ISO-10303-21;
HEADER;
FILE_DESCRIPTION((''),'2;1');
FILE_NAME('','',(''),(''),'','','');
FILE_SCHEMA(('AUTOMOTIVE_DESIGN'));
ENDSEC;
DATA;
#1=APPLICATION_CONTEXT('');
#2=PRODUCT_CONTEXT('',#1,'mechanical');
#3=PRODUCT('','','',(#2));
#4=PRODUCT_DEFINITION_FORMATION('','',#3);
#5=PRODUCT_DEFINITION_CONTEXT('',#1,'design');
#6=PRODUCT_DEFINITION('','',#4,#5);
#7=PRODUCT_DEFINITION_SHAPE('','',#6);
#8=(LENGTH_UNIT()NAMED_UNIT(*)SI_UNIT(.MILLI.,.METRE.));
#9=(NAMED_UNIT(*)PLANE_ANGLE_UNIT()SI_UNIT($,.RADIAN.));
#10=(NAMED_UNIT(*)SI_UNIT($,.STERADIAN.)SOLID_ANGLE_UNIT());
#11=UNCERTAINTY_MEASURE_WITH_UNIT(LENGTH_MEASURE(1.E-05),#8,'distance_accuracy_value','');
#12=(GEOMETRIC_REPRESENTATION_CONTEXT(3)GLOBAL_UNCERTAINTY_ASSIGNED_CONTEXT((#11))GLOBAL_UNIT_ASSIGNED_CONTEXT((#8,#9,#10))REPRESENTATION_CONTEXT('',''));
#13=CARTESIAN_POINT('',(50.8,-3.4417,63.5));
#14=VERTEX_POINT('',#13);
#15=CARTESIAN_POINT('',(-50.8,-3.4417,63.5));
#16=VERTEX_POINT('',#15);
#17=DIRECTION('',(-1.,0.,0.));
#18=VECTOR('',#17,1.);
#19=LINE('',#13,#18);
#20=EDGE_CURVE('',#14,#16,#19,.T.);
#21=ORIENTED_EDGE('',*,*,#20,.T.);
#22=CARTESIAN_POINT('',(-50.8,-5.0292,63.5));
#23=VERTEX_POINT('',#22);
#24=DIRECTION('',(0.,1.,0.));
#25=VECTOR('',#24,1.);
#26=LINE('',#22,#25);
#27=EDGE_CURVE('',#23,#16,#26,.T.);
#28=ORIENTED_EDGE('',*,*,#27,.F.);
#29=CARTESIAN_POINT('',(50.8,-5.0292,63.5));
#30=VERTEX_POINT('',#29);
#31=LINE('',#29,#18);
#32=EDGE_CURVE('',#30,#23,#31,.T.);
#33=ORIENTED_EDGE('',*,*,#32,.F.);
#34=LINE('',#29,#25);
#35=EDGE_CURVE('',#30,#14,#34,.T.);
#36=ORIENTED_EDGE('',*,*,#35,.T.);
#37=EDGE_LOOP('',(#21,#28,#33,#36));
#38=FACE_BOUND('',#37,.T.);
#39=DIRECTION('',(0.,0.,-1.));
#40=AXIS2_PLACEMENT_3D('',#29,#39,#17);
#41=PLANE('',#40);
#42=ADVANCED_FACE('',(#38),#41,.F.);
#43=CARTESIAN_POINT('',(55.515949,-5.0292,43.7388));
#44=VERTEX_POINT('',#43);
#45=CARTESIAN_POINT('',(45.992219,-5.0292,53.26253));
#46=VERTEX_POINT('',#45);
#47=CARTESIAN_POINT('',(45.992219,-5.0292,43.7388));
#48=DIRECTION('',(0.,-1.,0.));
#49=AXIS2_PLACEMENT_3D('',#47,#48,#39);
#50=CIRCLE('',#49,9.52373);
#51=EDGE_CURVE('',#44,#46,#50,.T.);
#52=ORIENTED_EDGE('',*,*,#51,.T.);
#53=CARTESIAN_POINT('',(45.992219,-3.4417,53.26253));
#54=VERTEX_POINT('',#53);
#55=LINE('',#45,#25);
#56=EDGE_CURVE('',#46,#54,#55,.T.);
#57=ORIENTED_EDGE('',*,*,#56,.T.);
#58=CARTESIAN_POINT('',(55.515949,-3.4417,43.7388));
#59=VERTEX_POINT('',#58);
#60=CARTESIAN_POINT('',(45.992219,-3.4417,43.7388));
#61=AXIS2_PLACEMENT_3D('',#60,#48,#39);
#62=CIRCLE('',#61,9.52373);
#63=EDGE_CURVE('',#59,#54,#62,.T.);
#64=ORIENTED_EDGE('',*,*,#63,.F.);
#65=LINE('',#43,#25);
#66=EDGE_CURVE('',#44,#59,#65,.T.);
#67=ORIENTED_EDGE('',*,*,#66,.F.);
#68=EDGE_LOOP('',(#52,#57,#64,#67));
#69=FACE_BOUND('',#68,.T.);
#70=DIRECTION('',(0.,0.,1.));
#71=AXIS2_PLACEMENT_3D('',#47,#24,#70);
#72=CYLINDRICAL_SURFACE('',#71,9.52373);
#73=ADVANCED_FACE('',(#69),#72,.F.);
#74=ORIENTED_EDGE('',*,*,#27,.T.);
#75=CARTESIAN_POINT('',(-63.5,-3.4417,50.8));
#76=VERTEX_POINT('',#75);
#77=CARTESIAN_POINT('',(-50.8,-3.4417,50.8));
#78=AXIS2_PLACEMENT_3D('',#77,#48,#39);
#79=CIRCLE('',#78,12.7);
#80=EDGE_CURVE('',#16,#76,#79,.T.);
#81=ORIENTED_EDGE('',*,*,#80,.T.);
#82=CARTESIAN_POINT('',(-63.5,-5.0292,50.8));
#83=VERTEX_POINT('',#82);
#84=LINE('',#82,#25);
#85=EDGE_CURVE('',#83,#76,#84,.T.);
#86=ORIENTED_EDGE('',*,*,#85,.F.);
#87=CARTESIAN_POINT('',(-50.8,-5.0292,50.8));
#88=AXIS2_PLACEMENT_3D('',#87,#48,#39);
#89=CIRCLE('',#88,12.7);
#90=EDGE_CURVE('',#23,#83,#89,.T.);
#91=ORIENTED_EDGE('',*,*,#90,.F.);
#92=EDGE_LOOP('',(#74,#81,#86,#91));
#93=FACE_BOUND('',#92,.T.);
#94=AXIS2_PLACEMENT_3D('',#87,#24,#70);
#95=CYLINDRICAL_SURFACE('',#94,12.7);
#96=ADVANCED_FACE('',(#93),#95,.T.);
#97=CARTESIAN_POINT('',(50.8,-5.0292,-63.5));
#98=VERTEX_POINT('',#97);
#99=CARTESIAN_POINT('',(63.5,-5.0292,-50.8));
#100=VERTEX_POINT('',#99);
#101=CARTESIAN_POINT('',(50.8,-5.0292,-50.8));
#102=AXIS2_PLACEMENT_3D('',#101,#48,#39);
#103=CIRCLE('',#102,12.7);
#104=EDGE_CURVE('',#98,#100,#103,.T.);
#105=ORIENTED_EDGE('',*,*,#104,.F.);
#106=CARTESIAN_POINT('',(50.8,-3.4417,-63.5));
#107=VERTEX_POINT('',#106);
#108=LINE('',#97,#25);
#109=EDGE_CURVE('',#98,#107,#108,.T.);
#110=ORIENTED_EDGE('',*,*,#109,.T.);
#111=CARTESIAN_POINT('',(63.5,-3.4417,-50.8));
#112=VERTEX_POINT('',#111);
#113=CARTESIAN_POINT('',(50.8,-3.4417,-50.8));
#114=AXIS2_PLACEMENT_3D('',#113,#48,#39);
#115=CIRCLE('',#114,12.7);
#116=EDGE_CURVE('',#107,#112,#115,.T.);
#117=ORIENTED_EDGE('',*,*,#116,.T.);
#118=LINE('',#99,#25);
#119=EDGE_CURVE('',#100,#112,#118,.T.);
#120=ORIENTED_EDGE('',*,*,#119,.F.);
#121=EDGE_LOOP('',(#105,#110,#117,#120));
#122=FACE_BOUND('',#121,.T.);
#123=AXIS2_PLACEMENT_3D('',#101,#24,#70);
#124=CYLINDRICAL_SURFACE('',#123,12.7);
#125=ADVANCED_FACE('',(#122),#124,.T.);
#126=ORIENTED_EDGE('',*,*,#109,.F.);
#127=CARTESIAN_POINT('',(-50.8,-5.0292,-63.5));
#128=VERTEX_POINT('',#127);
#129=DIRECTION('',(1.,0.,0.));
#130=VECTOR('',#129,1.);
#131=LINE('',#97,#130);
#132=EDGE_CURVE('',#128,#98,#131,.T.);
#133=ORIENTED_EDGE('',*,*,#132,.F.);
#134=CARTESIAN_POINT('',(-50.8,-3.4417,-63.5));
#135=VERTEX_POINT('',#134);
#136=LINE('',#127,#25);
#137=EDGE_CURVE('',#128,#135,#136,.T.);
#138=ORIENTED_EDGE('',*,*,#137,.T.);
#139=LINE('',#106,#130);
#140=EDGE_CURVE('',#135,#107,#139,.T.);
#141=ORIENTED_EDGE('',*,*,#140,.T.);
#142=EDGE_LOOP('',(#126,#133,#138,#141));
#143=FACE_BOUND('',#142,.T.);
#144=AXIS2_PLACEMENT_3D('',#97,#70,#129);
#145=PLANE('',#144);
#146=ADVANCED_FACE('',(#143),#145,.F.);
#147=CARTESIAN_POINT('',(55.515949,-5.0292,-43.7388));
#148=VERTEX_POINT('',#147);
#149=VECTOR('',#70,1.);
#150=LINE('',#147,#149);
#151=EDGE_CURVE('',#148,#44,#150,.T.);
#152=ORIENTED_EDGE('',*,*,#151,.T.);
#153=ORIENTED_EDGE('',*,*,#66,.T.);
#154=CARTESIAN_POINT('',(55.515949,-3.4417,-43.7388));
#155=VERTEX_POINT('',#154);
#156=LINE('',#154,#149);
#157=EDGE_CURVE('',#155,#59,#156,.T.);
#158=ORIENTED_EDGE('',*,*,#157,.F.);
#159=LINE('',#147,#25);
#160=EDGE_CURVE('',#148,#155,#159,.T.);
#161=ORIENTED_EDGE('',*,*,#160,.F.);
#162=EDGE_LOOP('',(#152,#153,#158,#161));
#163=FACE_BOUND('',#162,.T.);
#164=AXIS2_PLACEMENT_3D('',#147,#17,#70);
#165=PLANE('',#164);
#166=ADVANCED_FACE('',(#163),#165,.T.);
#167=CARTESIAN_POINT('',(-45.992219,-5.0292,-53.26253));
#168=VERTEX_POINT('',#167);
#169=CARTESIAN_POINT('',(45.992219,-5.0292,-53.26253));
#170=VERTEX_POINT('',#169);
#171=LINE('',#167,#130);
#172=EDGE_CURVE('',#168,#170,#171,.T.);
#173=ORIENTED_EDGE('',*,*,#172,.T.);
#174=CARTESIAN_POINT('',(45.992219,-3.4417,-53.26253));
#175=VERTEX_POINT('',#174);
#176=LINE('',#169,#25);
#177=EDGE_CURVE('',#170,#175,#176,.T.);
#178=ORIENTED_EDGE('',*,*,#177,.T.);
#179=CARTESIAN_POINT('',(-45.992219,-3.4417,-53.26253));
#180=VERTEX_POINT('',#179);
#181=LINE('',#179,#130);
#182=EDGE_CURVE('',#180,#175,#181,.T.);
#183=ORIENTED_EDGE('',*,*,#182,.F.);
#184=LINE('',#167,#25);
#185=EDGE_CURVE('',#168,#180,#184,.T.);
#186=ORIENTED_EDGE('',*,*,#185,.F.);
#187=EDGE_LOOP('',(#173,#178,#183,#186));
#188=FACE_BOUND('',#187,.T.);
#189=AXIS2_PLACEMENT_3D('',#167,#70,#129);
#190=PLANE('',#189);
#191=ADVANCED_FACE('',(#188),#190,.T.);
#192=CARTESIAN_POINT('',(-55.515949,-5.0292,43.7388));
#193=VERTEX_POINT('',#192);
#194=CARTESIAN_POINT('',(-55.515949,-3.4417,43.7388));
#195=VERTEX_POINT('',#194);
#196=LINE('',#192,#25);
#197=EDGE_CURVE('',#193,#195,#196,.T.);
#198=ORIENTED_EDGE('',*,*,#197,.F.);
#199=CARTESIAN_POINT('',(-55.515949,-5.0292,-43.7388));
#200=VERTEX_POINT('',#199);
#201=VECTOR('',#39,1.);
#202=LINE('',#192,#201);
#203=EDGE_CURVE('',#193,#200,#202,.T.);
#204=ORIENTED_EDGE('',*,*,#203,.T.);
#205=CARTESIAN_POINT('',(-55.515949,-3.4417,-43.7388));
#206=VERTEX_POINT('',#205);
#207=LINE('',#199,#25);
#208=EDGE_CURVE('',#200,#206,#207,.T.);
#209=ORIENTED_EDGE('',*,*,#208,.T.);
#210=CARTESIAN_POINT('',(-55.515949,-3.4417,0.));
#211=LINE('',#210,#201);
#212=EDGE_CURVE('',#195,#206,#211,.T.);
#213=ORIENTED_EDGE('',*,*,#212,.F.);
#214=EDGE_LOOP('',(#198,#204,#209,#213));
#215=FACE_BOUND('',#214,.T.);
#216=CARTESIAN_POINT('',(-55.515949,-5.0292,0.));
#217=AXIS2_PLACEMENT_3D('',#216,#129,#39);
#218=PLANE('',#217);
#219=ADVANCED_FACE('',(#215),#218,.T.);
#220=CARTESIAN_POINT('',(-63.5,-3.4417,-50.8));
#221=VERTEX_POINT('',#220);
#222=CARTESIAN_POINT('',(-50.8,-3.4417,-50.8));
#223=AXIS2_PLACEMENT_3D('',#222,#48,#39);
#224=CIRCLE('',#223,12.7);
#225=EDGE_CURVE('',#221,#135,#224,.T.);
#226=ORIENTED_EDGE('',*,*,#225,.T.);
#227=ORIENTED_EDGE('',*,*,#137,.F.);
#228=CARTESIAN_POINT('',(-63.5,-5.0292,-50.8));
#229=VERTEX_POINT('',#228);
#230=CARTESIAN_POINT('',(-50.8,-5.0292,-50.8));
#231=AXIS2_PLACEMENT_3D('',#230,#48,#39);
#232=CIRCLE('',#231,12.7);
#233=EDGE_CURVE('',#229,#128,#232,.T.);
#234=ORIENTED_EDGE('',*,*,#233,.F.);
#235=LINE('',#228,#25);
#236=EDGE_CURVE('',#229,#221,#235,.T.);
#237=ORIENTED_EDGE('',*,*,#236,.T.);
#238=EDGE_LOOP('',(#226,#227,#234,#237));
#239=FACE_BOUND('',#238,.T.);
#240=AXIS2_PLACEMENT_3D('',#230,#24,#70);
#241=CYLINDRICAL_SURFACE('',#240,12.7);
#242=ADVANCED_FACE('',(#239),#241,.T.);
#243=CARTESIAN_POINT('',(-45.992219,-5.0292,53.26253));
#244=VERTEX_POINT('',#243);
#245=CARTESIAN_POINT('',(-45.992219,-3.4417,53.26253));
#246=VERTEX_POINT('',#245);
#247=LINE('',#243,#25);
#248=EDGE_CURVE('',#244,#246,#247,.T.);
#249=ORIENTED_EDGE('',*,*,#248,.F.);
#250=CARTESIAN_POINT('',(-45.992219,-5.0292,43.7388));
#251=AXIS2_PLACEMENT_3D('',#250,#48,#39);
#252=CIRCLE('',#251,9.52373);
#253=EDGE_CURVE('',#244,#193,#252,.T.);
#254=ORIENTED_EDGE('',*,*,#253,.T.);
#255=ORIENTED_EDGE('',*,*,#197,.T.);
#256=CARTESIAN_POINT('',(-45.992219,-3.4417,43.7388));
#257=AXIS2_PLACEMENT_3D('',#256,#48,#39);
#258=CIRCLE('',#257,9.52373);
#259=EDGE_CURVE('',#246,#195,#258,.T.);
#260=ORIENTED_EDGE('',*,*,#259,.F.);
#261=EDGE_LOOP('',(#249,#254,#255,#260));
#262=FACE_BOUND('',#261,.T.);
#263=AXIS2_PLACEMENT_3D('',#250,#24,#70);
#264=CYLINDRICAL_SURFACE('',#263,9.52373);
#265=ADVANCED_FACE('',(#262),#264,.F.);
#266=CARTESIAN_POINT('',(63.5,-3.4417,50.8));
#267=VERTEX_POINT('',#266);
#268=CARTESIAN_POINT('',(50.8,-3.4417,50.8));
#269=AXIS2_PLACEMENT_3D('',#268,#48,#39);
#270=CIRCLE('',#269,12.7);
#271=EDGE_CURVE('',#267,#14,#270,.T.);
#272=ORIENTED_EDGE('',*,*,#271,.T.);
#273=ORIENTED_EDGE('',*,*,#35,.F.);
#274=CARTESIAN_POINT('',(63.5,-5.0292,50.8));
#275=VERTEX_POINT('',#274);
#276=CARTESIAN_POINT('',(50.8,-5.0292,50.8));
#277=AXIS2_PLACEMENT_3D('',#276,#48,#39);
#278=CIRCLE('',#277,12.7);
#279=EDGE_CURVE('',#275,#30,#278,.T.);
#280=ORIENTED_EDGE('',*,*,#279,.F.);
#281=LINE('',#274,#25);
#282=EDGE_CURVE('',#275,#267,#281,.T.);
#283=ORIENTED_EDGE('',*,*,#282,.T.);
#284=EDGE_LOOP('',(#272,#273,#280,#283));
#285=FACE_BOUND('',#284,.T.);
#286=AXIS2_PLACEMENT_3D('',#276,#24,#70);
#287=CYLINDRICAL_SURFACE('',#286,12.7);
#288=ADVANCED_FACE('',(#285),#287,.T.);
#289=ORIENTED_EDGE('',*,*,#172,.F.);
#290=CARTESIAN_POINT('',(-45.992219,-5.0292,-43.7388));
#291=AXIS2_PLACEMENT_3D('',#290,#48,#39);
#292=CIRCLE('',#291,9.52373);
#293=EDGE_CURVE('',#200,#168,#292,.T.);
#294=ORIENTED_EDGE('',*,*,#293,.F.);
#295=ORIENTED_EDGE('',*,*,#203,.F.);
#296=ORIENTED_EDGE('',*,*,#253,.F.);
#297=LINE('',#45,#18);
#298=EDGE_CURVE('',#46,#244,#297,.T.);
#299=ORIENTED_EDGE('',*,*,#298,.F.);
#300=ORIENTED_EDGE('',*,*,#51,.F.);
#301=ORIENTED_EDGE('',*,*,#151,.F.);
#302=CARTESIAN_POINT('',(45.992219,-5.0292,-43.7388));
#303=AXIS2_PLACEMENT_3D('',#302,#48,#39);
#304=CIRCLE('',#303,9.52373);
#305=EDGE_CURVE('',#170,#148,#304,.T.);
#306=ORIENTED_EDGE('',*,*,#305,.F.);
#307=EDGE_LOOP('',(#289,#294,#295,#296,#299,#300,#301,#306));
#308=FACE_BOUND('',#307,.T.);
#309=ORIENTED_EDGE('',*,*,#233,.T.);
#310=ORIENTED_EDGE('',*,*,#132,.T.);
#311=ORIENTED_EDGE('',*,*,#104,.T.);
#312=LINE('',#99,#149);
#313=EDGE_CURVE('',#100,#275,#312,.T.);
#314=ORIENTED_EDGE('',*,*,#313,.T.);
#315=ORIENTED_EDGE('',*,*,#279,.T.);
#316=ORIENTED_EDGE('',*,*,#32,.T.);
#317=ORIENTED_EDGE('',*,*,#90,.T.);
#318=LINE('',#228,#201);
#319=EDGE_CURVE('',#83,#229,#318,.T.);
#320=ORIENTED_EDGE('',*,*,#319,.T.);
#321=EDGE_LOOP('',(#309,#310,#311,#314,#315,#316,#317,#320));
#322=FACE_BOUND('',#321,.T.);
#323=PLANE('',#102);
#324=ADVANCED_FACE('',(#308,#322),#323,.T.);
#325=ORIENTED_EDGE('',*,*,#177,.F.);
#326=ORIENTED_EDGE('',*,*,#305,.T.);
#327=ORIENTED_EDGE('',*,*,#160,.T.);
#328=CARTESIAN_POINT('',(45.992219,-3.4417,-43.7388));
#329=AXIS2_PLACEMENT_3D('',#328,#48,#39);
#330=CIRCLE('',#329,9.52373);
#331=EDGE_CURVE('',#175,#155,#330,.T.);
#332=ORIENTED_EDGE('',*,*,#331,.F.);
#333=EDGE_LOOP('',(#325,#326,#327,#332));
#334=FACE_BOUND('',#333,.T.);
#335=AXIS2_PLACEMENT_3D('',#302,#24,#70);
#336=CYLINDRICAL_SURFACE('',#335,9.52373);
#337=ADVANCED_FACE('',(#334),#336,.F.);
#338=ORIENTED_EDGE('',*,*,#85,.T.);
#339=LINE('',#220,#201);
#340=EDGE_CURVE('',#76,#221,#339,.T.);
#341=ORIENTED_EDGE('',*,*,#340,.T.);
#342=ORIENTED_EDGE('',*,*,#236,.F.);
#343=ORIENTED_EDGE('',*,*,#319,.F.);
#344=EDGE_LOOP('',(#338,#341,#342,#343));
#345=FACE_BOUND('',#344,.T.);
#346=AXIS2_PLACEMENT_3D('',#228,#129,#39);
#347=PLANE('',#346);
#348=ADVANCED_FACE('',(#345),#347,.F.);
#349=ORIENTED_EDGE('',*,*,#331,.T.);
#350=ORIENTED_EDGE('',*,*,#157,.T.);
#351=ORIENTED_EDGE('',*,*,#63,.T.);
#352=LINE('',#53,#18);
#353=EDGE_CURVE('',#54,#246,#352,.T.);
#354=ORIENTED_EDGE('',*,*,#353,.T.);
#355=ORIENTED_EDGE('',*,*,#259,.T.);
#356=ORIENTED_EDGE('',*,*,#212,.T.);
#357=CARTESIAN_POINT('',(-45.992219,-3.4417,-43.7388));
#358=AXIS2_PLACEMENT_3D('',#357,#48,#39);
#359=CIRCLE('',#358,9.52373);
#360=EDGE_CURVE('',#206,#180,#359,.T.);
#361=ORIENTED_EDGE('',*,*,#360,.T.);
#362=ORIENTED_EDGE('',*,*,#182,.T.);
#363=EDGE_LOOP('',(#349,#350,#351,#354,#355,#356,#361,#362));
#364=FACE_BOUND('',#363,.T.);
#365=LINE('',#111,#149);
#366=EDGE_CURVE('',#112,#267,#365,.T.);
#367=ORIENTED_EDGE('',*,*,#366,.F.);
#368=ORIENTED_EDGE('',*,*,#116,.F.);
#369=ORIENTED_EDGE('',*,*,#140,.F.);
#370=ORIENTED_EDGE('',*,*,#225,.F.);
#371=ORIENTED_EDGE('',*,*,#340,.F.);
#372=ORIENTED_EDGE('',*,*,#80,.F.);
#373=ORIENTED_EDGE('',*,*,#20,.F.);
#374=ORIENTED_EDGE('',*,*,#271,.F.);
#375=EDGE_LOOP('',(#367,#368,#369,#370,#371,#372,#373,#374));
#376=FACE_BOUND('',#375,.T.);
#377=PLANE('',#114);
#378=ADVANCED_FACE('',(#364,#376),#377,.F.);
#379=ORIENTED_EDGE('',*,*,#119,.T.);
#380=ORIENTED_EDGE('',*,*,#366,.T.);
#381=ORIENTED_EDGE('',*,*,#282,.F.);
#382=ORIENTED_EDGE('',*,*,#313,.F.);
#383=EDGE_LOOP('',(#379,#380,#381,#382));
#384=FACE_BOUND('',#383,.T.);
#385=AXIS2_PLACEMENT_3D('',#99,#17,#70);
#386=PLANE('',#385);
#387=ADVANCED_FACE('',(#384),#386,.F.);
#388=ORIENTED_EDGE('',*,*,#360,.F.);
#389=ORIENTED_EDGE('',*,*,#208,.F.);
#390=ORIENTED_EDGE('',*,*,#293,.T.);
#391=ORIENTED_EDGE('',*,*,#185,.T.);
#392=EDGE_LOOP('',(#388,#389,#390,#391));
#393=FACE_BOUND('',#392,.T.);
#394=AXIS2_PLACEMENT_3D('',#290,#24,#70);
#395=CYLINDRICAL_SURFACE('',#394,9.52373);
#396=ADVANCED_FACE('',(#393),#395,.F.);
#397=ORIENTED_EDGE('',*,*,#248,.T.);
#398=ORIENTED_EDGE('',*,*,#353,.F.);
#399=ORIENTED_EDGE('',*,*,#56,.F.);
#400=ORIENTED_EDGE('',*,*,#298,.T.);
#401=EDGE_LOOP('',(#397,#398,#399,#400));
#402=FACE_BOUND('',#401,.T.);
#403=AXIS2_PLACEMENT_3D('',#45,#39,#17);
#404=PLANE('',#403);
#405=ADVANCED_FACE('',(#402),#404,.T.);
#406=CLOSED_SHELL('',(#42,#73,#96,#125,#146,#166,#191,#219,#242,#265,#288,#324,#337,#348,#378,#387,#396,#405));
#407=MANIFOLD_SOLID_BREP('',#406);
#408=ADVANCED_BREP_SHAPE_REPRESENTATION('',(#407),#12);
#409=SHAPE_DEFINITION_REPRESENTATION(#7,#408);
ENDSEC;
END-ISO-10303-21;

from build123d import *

# Parameters (mm, degrees)
MAINBODY_DEPTH = 1.5875


with BuildPart() as part:
    # Sketch2 → MainBody (new body)
    with BuildSketch(Plane(origin=(0, -3.4417, 0), x_dir=(-1, 0, 0), z_dir=(0, -1, 0))):
        with BuildLine():
            Line((-50.8, 63.5), (50.8, 63.5))
            ThreePointArc((50.8, 63.5), (59.780256121, 59.780256121), (63.5, 50.8))
            Line((63.5, 50.8), (63.5, -50.8))
            ThreePointArc((63.5, -50.8), (59.780256121, -59.780256121), (50.8, -63.5))
            Line((50.8, -63.5), (-50.8, -63.5))
            ThreePointArc((-50.8, -63.5), (-59.780256121, -59.780256121), (-63.5, -50.8))
            Line((-63.5, -50.8), (-63.5, 50.8))
            ThreePointArc((-63.5, 50.8), (-59.780256121, 59.780256121), (-50.8, 63.5))
        make_face()
        with BuildLine():
            Line((45.992219207, 53.26253), (-45.992219207, 53.26253))
            ThreePointArc((-45.992219207, 53.26253), (-52.726513272, 50.473094065), (-55.515949207, 43.7388))
            Line((-55.515949207, 43.7388), (-55.515949207, -43.7388))
            ThreePointArc((-55.515949207, -43.7388), (-52.726513272, -50.473094065), (-45.992219207, -53.26253))
            Line((-45.992219207, -53.26253), (45.992219207, -53.26253))
            ThreePointArc((45.992219207, -53.26253), (52.726513272, -50.473094065), (55.515949207, -43.7388))
            Line((55.515949207, -43.7388), (55.515949207, 0))
            Line((55.515949207, 0), (55.515949207, 43.7388))
            ThreePointArc((55.515949207, 43.7388), (52.726513272, 50.473094065), (45.992219207, 53.26253))
        make_face(mode=Mode.SUBTRACT)
    extrude(amount=MAINBODY_DEPTH)


solid = part.part
